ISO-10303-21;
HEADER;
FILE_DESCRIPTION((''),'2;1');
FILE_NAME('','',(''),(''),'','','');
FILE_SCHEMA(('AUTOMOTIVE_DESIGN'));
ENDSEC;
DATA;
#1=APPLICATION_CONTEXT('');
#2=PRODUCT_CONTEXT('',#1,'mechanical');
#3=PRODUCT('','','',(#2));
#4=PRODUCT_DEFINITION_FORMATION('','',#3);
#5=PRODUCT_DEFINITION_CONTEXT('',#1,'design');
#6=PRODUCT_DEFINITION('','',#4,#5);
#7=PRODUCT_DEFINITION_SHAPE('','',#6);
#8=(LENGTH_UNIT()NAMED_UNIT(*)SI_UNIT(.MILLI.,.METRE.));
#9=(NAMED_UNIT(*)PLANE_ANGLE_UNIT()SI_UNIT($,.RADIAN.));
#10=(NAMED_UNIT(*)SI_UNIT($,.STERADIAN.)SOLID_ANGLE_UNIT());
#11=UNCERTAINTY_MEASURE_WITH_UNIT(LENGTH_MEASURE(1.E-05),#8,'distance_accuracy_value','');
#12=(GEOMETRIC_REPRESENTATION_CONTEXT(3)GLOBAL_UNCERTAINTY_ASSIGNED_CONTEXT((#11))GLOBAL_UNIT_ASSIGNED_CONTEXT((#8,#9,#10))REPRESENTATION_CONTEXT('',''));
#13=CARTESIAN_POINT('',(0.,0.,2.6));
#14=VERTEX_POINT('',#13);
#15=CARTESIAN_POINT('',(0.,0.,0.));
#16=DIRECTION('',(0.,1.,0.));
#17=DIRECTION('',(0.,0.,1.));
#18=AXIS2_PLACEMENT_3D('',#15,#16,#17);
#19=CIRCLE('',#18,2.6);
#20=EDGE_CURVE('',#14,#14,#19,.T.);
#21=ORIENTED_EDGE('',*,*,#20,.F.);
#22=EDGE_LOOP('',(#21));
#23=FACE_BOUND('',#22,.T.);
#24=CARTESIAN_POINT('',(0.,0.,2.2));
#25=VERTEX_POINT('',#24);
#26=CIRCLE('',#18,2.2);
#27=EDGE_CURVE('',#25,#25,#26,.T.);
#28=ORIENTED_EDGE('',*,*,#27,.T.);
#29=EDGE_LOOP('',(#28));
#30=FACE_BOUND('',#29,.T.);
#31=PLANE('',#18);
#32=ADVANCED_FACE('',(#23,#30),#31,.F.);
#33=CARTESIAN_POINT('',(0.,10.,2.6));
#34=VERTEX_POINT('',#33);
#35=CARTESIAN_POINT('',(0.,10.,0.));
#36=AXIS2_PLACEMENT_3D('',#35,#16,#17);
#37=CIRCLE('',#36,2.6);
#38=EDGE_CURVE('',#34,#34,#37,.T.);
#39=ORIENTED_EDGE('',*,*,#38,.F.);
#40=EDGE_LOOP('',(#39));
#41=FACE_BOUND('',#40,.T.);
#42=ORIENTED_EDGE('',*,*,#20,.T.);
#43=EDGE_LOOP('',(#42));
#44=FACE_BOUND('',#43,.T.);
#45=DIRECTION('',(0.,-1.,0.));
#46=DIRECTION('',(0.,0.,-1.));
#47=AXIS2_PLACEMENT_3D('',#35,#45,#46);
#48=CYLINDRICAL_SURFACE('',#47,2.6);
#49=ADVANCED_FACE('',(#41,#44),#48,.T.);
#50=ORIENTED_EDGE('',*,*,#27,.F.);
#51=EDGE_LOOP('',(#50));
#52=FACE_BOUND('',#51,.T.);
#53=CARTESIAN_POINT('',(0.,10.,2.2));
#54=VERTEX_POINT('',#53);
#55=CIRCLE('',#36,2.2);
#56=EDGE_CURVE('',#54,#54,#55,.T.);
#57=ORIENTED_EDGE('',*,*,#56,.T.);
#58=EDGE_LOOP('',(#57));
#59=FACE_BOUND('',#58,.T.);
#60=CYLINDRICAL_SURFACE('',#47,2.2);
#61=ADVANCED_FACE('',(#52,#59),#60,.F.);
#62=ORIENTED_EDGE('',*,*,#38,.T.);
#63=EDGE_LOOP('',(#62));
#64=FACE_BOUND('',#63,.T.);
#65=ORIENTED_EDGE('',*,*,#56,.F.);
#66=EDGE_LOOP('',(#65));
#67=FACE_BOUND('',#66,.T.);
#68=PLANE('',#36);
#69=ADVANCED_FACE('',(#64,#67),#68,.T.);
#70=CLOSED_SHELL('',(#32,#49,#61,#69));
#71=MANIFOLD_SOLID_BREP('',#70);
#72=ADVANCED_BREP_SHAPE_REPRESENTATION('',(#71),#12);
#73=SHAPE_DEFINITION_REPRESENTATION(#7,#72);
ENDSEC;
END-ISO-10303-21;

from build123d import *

# Parameters (mm, degrees)
SKETCH1_R           = 2.6
SKETCH1_R_2         = 2.2
BOSS_EXTRUDE1_DEPTH = 10


with BuildPart() as part:
    # Sketch1 → Boss-Extrude1 (new body)
    with BuildSketch(Plane(origin=(0, 0, 0), x_dir=(1, 0, 0), z_dir=(0, 1, 0))):
        with Locations(Location((0, 0, 0), (0, 0, 270))):
            Circle(SKETCH1_R)
        with Locations(Location((0, 0, 0), (0, 0, 270))):
            Circle(SKETCH1_R_2, mode=Mode.SUBTRACT)
    extrude(amount=BOSS_EXTRUDE1_DEPTH)


solid = part.part
